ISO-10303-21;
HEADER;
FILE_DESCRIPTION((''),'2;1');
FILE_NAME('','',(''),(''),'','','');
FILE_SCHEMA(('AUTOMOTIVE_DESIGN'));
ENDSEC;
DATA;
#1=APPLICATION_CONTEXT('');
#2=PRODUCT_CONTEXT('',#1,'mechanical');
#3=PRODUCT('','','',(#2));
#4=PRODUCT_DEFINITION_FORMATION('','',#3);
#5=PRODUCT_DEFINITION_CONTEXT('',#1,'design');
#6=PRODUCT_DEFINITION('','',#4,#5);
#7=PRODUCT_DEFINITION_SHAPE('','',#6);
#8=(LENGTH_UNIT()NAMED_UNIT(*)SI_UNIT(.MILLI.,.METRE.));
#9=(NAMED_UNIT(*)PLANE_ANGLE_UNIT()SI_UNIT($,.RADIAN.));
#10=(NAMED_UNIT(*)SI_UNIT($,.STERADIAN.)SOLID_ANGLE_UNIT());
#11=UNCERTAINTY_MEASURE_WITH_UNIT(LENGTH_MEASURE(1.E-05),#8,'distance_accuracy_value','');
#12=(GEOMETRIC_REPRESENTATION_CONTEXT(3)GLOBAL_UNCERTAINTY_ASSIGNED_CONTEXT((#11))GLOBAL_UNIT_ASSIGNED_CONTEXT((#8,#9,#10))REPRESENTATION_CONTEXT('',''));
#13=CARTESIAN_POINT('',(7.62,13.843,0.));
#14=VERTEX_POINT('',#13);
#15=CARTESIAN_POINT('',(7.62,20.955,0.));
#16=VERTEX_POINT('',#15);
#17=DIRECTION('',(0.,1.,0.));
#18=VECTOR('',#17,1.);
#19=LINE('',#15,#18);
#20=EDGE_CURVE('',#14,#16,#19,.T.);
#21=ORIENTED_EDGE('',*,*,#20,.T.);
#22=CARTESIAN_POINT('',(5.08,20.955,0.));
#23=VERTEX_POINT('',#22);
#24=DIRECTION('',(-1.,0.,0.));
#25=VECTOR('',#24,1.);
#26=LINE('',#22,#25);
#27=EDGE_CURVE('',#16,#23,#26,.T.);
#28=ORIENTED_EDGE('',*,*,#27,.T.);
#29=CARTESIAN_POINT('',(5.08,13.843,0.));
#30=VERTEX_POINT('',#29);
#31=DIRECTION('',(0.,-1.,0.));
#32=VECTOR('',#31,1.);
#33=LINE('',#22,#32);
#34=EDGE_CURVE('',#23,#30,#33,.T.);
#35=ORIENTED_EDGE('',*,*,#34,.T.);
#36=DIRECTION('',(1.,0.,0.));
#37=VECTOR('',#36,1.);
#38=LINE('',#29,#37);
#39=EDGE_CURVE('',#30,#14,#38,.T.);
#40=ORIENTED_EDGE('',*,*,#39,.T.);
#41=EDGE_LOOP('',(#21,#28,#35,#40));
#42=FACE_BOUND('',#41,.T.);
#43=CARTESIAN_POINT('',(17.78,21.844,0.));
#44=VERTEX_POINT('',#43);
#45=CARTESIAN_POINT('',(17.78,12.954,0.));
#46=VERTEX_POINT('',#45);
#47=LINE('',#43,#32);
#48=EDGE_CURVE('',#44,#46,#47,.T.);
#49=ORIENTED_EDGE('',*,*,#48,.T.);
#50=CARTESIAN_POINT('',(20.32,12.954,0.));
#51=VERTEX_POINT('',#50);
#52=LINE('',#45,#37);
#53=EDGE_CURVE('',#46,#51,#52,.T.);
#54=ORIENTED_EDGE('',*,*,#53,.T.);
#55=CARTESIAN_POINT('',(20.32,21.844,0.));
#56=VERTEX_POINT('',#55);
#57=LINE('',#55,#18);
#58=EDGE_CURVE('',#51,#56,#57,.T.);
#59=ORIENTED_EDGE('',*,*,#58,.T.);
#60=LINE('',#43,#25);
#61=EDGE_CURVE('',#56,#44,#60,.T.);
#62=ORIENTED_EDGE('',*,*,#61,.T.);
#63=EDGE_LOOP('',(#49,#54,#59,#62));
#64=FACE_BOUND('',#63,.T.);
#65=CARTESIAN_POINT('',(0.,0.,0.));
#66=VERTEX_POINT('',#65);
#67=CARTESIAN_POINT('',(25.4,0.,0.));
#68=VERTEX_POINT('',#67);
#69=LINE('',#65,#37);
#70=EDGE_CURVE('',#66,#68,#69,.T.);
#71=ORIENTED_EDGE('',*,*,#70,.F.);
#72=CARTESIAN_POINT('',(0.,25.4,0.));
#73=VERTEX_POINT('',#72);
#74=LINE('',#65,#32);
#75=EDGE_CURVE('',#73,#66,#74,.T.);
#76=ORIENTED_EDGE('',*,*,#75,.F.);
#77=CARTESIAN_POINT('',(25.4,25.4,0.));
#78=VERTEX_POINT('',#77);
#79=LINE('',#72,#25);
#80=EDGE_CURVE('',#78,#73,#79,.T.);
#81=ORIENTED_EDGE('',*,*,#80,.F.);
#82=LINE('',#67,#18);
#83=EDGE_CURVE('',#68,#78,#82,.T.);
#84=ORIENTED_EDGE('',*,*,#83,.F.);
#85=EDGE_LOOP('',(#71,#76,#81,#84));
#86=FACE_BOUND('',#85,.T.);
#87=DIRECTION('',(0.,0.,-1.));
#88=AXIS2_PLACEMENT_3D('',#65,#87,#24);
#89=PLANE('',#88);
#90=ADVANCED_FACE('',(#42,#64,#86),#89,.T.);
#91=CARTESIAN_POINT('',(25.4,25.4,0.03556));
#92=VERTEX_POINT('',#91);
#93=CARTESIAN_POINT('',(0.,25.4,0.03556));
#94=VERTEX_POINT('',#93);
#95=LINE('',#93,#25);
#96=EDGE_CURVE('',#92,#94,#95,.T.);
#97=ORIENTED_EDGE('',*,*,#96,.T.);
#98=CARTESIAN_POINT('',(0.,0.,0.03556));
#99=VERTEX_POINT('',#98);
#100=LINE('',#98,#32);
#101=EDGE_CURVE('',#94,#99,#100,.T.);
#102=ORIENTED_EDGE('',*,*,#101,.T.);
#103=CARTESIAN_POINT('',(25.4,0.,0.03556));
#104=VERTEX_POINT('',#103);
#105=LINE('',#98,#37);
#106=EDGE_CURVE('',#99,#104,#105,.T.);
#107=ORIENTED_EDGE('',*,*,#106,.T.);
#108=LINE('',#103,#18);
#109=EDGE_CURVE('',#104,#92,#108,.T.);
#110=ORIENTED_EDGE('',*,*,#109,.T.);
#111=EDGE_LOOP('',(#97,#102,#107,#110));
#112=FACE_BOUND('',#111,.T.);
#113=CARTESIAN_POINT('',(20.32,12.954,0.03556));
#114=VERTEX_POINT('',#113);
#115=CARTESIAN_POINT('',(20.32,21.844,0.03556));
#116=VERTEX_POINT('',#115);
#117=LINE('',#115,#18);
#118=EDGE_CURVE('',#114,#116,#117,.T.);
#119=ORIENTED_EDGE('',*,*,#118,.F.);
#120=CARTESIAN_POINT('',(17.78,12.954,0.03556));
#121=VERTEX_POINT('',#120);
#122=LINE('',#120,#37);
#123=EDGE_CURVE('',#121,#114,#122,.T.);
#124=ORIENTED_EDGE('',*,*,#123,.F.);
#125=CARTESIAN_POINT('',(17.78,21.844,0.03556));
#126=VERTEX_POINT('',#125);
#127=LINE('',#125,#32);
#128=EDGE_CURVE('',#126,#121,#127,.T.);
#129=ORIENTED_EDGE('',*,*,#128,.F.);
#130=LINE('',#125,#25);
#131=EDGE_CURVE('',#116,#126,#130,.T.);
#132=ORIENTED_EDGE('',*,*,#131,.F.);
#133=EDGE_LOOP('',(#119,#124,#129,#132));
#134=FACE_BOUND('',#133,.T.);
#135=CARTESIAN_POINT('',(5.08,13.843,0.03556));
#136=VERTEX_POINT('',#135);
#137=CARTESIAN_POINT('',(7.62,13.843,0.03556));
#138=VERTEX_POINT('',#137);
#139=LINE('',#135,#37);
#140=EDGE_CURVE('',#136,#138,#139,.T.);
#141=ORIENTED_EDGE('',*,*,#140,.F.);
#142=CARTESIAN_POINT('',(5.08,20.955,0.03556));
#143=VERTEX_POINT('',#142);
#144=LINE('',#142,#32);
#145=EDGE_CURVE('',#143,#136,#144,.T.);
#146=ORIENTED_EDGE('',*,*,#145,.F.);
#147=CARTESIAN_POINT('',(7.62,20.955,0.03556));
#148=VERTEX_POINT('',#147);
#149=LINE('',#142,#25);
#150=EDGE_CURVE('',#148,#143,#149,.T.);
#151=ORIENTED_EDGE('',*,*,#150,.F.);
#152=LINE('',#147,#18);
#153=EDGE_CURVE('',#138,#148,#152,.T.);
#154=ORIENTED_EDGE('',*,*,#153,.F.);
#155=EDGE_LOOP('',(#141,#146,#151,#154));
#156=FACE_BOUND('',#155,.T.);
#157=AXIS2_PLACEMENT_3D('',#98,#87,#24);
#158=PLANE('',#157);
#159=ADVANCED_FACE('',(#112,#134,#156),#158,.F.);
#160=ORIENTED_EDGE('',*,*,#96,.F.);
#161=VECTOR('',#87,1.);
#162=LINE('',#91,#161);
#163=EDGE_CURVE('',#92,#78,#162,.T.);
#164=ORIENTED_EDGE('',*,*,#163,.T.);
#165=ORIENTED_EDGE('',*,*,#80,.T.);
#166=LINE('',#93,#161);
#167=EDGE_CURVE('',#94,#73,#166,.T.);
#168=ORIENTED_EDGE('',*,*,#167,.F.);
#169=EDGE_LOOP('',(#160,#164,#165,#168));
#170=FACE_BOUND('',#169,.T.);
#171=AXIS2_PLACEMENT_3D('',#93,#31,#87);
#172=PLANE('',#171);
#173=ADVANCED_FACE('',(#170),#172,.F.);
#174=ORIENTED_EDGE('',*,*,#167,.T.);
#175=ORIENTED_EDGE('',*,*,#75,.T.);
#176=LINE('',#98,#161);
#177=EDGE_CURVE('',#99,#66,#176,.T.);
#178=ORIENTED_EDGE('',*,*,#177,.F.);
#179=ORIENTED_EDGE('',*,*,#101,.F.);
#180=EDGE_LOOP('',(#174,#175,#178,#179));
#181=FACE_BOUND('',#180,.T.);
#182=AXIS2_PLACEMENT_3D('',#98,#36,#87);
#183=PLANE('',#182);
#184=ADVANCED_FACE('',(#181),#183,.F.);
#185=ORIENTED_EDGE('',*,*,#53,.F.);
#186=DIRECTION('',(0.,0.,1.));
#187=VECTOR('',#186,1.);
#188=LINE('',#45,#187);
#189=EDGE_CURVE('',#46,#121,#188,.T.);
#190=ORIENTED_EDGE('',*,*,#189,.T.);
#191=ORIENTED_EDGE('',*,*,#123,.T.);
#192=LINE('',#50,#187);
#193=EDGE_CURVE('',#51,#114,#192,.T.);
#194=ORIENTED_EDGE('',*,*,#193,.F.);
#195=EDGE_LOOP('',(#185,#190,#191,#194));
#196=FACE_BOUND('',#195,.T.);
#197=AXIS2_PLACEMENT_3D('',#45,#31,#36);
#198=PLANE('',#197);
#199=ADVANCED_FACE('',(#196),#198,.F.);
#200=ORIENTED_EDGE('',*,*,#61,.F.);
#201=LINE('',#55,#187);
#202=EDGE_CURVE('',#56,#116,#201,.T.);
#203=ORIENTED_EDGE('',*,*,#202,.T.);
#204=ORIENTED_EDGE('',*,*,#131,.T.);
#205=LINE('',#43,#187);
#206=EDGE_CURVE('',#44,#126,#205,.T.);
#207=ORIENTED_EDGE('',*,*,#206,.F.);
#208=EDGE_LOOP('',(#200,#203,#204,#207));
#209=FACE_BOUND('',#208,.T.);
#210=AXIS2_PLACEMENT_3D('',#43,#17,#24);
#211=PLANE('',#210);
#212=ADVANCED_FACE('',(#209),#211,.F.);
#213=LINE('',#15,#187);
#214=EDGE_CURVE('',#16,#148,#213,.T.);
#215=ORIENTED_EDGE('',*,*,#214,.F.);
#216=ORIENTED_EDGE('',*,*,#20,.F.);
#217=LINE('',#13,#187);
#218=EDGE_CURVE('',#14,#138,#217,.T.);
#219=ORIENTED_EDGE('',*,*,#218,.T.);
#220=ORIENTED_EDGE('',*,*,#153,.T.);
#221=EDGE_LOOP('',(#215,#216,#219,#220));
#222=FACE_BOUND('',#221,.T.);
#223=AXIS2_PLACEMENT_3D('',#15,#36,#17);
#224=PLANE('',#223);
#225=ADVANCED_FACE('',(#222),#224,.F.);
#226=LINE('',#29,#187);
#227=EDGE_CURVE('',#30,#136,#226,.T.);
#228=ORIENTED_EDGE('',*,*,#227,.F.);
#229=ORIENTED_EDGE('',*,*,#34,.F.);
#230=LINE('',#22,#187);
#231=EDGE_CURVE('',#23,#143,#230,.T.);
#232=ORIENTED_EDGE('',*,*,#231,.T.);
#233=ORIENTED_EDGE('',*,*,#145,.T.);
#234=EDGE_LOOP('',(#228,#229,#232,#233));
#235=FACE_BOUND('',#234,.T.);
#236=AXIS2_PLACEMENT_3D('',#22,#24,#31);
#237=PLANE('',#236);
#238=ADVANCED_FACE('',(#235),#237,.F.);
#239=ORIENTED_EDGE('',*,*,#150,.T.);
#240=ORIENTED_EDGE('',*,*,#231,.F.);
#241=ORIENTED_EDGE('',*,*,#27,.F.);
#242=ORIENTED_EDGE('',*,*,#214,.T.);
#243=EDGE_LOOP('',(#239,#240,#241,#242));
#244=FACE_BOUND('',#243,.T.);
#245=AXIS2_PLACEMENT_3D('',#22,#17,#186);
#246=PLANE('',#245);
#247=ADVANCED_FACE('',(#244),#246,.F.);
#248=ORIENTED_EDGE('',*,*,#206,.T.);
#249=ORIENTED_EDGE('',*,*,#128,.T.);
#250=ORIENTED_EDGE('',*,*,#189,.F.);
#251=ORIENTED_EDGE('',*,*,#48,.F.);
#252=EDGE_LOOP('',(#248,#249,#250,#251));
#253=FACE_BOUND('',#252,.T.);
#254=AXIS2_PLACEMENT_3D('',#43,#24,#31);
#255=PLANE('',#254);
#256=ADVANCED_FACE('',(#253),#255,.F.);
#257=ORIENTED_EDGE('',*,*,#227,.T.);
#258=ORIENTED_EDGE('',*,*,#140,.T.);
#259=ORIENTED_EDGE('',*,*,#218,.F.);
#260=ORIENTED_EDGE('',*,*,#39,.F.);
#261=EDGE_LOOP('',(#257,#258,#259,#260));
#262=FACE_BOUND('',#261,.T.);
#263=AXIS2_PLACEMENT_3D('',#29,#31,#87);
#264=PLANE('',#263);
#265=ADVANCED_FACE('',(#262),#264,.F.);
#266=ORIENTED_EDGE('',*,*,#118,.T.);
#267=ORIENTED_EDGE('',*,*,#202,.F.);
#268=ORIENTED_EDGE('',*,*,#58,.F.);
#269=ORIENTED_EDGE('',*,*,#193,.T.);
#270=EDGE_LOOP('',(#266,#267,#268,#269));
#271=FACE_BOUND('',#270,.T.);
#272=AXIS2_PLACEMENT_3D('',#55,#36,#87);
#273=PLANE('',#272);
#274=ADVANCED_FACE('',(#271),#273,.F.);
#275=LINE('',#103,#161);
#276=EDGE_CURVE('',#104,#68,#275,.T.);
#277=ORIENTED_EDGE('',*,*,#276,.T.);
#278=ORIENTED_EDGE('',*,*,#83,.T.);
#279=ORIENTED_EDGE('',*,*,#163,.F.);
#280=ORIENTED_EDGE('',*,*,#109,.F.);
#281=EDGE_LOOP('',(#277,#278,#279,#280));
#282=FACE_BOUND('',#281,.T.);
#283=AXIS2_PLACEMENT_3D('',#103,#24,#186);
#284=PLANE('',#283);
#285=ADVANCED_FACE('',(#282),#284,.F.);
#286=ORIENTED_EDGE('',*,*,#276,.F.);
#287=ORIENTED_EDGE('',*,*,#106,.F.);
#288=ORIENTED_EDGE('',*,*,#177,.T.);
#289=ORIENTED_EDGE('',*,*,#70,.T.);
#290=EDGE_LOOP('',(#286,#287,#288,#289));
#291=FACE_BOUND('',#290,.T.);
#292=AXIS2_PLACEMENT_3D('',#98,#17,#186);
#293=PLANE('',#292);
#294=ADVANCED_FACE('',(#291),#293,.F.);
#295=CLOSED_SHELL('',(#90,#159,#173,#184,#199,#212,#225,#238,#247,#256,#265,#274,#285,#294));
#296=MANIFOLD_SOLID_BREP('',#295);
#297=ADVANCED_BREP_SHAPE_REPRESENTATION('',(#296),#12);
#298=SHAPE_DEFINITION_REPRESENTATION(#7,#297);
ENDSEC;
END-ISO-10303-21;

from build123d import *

# Parameters (mm, degrees)
SKETCH1_W           = 25.4
SKETCH1_H           = 25.4
BOSS_EXTRUDE1_DEPTH = 0.03556
SKETCH2_W           = 2.54
SKETCH2_H           = 7.112
SKETCH2_H_2         = 8.89
CUT_EXTRUDE1_DEPTH  = 36.921042086


with BuildPart() as part:
    # Sketch1 → Boss-Extrude1 (new body)
    with BuildSketch(Plane.XY):
        with Locations((12.7, 12.7)):
            Rectangle(SKETCH1_W, SKETCH1_H)
    extrude(amount=BOSS_EXTRUDE1_DEPTH)

    # Sketch2 → Cut-Extrude1 (cut, through all)
    with BuildSketch(Plane.XY.offset(0.03556)):
        with Locations((6.35, 17.399)):
            Rectangle(SKETCH2_W, SKETCH2_H)
        with Locations((19.05, 17.399)):
            Rectangle(SKETCH2_W, SKETCH2_H_2)
    extrude(amount=-CUT_EXTRUDE1_DEPTH, mode=Mode.SUBTRACT)


solid = part.part
